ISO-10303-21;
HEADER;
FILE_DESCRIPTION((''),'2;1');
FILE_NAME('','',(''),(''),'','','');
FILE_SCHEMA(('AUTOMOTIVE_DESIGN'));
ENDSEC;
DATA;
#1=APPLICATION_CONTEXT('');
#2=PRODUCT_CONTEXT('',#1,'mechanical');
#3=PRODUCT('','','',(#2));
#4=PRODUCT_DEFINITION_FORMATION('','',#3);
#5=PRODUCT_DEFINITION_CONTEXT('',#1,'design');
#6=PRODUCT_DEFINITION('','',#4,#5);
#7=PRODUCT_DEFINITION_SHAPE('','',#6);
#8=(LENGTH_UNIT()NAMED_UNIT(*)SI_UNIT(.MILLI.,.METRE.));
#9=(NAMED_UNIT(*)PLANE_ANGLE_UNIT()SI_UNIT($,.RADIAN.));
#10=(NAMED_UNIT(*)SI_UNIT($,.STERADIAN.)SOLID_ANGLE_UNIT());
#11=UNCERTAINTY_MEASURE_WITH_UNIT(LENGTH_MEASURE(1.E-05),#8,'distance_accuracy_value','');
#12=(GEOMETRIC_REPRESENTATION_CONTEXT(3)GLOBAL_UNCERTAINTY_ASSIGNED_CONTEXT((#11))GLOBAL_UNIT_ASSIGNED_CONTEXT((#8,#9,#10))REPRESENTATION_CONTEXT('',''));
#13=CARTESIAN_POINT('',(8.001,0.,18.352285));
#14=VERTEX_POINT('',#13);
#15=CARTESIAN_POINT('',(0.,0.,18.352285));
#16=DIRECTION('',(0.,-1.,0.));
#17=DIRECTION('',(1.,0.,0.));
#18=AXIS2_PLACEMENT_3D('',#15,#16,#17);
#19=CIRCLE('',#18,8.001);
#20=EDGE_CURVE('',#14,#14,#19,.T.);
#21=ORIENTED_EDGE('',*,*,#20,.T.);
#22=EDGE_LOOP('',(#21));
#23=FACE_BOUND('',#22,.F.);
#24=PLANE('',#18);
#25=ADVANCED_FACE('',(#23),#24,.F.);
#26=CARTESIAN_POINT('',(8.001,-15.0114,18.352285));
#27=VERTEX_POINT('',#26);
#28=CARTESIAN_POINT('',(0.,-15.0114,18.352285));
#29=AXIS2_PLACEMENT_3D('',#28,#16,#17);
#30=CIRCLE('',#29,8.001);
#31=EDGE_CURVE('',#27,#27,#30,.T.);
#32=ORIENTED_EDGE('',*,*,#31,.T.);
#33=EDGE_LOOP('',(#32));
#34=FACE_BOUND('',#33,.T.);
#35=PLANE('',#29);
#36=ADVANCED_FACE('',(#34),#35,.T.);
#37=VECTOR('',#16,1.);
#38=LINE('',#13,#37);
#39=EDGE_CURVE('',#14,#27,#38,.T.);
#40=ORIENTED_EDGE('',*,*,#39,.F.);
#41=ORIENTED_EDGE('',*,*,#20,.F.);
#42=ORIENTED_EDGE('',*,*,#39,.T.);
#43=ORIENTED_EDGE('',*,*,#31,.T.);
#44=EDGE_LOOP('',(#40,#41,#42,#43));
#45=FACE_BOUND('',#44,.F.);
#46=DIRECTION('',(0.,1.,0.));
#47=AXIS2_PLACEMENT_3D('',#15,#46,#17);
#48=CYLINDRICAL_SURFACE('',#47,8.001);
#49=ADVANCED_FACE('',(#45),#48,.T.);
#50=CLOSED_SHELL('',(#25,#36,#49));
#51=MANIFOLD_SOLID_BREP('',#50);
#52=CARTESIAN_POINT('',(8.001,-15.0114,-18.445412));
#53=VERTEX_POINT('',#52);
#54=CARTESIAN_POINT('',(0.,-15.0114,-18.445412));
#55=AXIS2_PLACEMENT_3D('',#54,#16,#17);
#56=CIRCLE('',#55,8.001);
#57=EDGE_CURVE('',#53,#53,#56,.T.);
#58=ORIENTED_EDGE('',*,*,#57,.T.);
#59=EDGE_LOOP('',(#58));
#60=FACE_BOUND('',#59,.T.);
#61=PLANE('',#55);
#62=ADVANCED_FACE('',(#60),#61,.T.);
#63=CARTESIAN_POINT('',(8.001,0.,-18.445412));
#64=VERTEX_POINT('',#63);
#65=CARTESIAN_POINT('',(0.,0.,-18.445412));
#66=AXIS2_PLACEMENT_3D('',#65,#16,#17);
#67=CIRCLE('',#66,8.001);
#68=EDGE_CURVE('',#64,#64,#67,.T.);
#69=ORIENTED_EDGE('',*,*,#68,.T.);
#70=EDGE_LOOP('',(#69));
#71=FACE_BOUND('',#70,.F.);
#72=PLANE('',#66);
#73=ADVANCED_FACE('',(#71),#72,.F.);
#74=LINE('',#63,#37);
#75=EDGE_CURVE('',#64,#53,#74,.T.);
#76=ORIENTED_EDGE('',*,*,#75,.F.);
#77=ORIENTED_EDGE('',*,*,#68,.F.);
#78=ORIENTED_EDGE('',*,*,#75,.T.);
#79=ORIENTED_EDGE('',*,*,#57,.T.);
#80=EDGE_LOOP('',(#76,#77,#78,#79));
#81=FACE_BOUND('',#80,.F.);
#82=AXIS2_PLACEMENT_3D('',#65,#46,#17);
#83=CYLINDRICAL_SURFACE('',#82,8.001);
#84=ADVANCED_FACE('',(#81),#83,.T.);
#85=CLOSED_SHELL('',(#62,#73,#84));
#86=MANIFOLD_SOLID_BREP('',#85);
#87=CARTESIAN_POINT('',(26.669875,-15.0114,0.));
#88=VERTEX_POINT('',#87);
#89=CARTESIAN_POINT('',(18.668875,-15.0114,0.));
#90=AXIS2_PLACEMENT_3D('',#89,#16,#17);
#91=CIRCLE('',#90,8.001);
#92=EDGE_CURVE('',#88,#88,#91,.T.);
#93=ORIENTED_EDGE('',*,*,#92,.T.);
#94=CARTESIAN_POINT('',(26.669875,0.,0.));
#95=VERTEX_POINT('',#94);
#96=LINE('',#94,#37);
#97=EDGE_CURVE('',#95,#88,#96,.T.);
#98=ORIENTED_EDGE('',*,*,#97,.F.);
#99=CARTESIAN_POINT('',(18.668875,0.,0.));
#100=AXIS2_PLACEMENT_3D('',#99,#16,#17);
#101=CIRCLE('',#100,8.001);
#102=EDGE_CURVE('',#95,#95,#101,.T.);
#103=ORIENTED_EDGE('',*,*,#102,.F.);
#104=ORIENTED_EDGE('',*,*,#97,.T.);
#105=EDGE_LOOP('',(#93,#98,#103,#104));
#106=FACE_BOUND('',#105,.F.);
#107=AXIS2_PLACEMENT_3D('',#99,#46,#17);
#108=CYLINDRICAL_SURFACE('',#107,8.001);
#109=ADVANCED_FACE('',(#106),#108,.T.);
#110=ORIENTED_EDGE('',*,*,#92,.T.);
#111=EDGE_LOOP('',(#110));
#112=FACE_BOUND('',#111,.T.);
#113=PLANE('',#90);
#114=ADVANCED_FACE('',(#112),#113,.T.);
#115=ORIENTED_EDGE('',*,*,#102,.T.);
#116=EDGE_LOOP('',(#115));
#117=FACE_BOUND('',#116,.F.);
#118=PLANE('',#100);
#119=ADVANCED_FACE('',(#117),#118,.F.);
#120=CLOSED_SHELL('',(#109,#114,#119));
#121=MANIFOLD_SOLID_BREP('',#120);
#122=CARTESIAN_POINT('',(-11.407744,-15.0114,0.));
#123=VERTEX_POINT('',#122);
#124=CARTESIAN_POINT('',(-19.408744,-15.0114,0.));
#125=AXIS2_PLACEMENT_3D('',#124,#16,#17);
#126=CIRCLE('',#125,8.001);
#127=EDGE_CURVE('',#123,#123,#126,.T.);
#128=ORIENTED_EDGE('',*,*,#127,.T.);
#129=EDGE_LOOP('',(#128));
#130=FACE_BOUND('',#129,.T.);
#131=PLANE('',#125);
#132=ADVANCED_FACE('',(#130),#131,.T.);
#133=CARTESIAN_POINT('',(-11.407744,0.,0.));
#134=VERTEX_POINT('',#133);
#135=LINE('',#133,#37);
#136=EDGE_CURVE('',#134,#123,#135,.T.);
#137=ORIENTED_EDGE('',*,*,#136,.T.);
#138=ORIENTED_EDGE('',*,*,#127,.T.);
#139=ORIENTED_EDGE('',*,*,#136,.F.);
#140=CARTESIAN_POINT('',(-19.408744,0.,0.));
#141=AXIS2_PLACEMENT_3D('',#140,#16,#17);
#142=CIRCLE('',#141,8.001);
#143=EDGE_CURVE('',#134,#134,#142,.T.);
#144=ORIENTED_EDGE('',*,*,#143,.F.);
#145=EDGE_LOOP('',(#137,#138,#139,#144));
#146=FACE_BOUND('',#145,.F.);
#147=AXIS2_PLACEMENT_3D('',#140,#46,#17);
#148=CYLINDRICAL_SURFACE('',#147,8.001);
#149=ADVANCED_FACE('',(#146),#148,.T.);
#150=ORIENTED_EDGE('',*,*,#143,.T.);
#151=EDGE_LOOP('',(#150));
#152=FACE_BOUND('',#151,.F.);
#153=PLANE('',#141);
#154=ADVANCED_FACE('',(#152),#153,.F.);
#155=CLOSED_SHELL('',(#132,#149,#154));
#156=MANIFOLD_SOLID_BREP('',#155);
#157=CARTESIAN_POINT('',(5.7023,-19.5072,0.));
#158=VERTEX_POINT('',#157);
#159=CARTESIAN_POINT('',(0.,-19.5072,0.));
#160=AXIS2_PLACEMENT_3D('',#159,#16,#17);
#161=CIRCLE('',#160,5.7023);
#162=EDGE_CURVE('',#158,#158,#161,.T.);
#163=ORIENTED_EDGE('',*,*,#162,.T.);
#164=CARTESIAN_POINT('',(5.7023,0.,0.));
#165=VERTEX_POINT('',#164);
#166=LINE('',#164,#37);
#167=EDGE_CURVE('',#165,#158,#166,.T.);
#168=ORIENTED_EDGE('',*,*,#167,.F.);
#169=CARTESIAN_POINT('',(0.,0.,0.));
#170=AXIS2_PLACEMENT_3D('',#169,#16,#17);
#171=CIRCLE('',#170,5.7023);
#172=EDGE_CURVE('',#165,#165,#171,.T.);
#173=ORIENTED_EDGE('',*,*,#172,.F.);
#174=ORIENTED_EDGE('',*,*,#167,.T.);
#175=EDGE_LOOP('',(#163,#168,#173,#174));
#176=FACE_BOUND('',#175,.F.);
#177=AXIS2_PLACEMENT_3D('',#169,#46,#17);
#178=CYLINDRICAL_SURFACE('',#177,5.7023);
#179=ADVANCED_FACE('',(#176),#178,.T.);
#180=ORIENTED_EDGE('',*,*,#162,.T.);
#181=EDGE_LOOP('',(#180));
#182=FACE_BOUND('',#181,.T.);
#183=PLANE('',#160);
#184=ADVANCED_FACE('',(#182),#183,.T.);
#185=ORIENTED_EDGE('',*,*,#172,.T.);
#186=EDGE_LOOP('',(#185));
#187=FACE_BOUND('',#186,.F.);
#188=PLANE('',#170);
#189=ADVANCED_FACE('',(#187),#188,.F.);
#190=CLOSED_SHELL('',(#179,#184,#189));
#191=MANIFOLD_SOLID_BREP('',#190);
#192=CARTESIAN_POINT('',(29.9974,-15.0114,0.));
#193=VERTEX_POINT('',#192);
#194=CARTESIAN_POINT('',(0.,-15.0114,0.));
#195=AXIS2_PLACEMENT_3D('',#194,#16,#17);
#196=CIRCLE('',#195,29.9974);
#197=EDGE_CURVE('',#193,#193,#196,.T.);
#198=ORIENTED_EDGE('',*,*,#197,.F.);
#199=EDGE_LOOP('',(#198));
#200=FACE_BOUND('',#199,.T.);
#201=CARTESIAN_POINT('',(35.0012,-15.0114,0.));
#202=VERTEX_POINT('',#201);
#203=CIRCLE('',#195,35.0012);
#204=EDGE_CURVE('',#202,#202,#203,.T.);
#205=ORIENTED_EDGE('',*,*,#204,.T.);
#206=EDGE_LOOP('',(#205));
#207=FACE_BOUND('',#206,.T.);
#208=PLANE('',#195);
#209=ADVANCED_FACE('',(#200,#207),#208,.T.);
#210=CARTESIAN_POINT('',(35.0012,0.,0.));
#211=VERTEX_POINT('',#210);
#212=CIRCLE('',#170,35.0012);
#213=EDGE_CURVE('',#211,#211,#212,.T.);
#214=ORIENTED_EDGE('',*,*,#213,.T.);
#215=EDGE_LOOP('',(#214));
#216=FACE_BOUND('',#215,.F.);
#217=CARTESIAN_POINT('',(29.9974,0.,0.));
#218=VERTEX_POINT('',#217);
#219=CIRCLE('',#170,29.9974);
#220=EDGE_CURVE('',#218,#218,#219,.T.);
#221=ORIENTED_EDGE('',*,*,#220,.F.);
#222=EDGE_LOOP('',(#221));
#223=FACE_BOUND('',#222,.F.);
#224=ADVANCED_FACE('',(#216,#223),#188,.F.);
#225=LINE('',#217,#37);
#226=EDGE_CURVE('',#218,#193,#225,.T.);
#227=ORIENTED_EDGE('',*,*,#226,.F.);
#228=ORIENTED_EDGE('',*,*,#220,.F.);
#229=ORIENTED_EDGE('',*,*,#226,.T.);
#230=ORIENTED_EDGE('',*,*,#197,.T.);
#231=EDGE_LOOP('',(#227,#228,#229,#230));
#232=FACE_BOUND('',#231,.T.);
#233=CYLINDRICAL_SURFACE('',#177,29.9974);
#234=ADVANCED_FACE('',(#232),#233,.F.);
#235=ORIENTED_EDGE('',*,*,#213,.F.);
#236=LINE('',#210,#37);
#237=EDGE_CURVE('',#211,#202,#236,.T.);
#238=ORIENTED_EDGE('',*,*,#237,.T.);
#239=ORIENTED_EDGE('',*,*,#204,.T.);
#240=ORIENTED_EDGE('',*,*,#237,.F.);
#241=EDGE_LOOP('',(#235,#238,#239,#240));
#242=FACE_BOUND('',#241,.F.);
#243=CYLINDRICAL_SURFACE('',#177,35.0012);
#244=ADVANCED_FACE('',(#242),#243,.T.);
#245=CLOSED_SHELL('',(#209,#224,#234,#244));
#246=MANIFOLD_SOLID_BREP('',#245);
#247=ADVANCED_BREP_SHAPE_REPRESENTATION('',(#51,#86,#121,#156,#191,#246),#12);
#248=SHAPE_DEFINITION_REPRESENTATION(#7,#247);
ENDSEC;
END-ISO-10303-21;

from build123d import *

# Parameters (mm, degrees)
F0_R     = 5.7023
F1_DEPTH = 19.5072
F0_R_2   = 35.0012
F0_R_3   = 29.9974
F0_R_4   = 8.001
F2_DEPTH = 15.0114


with BuildPart() as f1:
    # F0 (on Front) → F1 (new body)
    with BuildSketch(Plane.XZ):
        Circle(F0_R)
    extrude(amount=F1_DEPTH)


with BuildPart() as f2:
    # F0 (on Front) → F2 (new body)
    with BuildSketch(Plane.XZ):
        Circle(F0_R_2)
        Circle(F0_R_3, mode=Mode.SUBTRACT)
        with Locations((-19.408744, 0)):
            Circle(F0_R_4)
        with Locations((0, 18.352285)):
            Circle(F0_R_4)
        with Locations((18.668875, 0)):
            Circle(F0_R_4)
        with Locations((0, -18.445412)):
            Circle(F0_R_4)
    extrude(amount=F2_DEPTH)


solid = Compound([f1.part, f2.part])
